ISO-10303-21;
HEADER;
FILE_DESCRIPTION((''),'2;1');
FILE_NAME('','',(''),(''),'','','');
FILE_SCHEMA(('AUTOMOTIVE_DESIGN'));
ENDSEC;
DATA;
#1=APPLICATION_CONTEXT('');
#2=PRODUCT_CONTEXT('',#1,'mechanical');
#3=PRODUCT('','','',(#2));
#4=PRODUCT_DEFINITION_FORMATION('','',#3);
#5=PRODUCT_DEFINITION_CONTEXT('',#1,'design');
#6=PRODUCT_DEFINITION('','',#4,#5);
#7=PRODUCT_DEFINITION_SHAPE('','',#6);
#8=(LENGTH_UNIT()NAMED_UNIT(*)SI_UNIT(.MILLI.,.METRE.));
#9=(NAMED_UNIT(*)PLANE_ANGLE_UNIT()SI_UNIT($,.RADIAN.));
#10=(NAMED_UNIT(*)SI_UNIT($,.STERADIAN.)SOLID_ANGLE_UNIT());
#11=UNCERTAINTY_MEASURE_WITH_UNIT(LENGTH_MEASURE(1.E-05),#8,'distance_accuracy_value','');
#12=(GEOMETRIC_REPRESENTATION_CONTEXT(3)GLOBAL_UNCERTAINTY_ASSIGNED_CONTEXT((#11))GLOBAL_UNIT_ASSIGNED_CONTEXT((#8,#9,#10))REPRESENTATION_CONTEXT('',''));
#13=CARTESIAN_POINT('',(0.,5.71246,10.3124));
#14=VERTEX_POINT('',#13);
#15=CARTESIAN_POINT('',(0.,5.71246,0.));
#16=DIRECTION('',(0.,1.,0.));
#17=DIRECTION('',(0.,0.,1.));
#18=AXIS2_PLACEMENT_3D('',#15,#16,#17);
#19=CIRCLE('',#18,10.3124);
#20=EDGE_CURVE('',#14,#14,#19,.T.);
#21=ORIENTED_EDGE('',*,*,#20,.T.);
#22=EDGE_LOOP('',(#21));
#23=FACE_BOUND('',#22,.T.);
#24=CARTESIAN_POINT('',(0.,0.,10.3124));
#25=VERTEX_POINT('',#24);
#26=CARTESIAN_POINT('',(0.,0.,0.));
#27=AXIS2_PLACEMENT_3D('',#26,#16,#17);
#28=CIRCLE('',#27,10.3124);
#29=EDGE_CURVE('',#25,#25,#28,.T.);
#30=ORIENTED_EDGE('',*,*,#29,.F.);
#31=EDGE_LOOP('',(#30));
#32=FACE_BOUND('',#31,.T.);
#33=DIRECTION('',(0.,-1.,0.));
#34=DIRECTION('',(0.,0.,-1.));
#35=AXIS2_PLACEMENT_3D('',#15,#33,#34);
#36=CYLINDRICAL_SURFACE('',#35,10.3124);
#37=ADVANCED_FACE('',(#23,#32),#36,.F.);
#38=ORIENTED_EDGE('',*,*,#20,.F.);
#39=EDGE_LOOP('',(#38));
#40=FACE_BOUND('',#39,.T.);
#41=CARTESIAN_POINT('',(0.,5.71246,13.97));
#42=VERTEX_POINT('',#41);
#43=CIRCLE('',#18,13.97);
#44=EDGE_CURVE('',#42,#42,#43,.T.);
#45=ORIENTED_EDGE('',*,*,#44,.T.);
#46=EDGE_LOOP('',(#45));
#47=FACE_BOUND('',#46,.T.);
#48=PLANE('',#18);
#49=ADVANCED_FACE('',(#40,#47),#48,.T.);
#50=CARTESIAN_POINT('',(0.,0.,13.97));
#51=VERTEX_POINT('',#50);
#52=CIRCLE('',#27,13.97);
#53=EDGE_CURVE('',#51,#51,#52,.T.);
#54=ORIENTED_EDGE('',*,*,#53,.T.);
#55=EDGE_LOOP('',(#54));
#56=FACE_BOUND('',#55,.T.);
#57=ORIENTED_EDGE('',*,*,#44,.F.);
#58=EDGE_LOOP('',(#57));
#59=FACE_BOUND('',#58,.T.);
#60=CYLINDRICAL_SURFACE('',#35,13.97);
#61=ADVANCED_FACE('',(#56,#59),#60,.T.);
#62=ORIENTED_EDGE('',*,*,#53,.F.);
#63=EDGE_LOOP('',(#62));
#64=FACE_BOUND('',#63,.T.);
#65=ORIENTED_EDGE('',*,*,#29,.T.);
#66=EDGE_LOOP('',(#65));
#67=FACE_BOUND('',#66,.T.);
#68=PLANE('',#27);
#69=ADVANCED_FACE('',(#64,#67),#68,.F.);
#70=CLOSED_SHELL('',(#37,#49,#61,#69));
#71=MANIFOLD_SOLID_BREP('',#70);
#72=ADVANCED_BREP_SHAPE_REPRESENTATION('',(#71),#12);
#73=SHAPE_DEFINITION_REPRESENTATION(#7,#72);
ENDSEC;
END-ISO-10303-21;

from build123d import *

# Parameters (mm, degrees)
SKETCH1_R           = 13.97
SKETCH1_R_2         = 10.3124
BOSS_EXTRUDE1_DEPTH = 5.71246


with BuildPart() as part:
    # Sketch1 → Boss-Extrude1 (new body)
    with BuildSketch(Plane(origin=(0, 0, 0), x_dir=(1, 0, 0), z_dir=(0, 1, 0))):
        Circle(SKETCH1_R)
        Circle(SKETCH1_R_2, mode=Mode.SUBTRACT)
    extrude(amount=BOSS_EXTRUDE1_DEPTH)


solid = part.part
